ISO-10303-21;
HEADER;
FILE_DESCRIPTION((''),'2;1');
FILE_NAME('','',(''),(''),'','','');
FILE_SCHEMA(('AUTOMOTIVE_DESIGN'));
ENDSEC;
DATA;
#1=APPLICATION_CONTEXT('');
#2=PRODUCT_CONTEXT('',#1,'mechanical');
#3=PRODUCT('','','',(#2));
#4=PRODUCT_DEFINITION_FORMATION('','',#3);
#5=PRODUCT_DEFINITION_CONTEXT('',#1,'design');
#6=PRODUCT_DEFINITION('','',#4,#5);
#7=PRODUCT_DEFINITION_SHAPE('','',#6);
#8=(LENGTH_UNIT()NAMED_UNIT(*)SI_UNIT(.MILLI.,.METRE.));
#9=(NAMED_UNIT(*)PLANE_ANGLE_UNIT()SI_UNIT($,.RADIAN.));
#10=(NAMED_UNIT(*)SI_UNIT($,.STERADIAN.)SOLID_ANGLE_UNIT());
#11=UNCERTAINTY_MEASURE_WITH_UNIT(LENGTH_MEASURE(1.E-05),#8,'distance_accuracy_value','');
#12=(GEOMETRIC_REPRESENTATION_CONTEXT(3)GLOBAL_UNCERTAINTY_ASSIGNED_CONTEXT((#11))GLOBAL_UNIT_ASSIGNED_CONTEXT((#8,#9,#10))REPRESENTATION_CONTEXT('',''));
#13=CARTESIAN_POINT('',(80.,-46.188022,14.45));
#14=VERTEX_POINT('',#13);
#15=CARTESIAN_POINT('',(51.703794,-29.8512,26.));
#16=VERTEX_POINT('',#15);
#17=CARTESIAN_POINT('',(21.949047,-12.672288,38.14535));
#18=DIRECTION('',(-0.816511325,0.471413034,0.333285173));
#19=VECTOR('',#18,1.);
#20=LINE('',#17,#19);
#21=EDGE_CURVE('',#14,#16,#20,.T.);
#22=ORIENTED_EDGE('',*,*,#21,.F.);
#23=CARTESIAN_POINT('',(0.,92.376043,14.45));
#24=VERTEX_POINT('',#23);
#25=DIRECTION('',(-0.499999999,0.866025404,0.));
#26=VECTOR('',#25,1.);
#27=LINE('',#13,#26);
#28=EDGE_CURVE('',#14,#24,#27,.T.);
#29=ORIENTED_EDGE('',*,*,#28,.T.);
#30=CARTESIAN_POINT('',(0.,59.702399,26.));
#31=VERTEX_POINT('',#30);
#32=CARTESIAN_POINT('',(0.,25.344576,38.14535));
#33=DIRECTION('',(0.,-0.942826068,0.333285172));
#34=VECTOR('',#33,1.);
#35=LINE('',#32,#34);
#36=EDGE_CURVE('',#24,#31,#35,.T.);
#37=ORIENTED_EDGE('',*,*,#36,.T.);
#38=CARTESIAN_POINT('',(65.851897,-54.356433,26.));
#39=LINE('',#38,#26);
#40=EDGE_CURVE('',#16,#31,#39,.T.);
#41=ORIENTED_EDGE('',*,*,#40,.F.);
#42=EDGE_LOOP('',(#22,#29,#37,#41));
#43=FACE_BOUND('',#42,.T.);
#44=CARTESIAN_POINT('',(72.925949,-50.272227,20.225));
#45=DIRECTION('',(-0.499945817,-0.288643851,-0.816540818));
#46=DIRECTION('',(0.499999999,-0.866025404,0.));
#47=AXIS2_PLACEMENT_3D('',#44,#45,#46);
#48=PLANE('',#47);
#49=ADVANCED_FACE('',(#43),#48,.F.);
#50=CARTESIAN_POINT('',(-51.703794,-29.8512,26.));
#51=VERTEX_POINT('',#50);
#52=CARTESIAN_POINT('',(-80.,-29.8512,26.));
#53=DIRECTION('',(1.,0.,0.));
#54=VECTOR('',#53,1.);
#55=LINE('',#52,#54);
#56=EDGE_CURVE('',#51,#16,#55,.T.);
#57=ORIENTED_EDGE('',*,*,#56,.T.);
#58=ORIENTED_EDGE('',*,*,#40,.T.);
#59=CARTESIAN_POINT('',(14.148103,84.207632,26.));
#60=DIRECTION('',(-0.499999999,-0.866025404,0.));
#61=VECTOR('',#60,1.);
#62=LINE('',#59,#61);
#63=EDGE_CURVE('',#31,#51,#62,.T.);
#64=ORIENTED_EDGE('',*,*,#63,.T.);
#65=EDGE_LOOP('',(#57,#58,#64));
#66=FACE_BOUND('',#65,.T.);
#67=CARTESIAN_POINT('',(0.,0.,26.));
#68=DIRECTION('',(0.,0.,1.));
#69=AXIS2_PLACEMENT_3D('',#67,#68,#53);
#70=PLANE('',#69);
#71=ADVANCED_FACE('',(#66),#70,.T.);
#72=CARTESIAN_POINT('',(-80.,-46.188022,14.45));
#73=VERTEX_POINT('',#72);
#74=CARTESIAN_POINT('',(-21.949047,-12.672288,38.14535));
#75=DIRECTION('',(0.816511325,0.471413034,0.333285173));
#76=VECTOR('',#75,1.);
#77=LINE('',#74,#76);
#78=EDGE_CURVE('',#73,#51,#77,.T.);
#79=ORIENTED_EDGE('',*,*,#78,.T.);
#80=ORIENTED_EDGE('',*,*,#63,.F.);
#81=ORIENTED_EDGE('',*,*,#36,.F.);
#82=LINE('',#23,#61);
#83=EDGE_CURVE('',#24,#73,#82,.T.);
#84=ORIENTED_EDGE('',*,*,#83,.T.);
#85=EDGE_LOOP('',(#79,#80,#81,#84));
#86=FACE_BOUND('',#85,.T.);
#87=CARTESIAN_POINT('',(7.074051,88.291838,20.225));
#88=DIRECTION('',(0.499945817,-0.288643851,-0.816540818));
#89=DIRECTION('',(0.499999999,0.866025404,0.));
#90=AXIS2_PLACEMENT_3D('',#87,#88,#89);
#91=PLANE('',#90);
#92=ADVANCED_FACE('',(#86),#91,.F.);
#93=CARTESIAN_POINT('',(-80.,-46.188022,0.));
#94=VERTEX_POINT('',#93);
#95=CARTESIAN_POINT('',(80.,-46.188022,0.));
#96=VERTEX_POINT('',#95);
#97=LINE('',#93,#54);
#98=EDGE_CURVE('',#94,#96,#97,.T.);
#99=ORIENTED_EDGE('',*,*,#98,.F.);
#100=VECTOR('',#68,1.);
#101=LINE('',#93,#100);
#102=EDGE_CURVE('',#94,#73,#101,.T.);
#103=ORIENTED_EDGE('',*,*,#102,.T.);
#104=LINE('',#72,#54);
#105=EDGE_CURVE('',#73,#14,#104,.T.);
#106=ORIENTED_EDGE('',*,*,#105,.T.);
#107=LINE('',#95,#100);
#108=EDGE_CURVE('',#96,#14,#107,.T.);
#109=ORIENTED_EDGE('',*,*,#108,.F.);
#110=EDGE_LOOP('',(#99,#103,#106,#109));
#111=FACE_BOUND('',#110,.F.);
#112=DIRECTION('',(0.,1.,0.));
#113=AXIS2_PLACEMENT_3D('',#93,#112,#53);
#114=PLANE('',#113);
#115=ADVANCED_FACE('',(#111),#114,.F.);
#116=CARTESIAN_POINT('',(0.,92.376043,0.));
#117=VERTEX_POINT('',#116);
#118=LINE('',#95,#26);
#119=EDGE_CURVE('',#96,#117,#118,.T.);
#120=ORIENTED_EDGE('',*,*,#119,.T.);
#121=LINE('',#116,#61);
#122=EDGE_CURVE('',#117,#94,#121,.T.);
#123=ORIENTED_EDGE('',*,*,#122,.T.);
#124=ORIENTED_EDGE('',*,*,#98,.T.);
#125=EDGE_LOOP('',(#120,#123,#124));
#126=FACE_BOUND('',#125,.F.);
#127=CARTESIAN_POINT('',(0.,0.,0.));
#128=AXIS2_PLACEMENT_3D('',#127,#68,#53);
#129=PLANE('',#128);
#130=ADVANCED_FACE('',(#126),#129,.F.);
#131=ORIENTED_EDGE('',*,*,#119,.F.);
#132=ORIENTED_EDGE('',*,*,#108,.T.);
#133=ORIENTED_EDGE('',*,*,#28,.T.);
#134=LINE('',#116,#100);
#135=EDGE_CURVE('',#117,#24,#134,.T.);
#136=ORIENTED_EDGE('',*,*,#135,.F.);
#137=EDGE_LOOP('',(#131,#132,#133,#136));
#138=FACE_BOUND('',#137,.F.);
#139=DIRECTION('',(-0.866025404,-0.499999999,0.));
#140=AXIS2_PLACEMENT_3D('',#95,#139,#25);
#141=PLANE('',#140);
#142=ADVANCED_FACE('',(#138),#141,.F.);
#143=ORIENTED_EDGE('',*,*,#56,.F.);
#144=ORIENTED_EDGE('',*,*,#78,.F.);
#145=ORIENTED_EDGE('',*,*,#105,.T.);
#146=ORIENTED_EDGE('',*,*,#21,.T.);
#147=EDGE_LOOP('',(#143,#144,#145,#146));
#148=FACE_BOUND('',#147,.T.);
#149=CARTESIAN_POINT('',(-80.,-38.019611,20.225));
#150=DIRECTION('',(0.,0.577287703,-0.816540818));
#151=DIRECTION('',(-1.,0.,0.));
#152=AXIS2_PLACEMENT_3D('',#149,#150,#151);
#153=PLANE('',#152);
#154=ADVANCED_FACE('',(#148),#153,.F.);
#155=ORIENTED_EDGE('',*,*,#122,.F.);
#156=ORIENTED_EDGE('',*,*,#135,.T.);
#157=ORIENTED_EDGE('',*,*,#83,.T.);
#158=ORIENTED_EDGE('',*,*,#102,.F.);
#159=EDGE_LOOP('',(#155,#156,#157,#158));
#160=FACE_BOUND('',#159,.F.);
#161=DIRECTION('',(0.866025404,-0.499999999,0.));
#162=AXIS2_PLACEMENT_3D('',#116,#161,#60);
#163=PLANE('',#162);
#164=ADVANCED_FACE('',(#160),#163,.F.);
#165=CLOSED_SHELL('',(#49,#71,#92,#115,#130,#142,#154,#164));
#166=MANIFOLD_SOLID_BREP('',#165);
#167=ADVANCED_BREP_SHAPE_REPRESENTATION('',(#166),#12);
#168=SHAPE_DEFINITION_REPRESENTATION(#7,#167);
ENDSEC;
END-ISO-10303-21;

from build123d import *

# Parameters (mm, degrees)
F1_DEPTH = 26
F2_SIZE2 = 16.336822
F2_SIZE  = 11.55


with BuildPart() as f1:
    # F0 (on Top) → F1 (new body)
    with BuildSketch(Plane.XY):
        Polygon((0, 92.376043), (-80, -46.188022), (80, -46.188022), align=None)
    extrude(amount=F1_DEPTH)

    # F2
    f2_edges = [f1.edges().sort_by_distance(p)[0] for p in [
        (-40, 23.094011, 26),
        (40, 23.094011, 26),
        (0, -46.188022, 26),
    ]]
    chamfer(f2_edges, length=F2_SIZE, length2=F2_SIZE2)


solid = f1.part
